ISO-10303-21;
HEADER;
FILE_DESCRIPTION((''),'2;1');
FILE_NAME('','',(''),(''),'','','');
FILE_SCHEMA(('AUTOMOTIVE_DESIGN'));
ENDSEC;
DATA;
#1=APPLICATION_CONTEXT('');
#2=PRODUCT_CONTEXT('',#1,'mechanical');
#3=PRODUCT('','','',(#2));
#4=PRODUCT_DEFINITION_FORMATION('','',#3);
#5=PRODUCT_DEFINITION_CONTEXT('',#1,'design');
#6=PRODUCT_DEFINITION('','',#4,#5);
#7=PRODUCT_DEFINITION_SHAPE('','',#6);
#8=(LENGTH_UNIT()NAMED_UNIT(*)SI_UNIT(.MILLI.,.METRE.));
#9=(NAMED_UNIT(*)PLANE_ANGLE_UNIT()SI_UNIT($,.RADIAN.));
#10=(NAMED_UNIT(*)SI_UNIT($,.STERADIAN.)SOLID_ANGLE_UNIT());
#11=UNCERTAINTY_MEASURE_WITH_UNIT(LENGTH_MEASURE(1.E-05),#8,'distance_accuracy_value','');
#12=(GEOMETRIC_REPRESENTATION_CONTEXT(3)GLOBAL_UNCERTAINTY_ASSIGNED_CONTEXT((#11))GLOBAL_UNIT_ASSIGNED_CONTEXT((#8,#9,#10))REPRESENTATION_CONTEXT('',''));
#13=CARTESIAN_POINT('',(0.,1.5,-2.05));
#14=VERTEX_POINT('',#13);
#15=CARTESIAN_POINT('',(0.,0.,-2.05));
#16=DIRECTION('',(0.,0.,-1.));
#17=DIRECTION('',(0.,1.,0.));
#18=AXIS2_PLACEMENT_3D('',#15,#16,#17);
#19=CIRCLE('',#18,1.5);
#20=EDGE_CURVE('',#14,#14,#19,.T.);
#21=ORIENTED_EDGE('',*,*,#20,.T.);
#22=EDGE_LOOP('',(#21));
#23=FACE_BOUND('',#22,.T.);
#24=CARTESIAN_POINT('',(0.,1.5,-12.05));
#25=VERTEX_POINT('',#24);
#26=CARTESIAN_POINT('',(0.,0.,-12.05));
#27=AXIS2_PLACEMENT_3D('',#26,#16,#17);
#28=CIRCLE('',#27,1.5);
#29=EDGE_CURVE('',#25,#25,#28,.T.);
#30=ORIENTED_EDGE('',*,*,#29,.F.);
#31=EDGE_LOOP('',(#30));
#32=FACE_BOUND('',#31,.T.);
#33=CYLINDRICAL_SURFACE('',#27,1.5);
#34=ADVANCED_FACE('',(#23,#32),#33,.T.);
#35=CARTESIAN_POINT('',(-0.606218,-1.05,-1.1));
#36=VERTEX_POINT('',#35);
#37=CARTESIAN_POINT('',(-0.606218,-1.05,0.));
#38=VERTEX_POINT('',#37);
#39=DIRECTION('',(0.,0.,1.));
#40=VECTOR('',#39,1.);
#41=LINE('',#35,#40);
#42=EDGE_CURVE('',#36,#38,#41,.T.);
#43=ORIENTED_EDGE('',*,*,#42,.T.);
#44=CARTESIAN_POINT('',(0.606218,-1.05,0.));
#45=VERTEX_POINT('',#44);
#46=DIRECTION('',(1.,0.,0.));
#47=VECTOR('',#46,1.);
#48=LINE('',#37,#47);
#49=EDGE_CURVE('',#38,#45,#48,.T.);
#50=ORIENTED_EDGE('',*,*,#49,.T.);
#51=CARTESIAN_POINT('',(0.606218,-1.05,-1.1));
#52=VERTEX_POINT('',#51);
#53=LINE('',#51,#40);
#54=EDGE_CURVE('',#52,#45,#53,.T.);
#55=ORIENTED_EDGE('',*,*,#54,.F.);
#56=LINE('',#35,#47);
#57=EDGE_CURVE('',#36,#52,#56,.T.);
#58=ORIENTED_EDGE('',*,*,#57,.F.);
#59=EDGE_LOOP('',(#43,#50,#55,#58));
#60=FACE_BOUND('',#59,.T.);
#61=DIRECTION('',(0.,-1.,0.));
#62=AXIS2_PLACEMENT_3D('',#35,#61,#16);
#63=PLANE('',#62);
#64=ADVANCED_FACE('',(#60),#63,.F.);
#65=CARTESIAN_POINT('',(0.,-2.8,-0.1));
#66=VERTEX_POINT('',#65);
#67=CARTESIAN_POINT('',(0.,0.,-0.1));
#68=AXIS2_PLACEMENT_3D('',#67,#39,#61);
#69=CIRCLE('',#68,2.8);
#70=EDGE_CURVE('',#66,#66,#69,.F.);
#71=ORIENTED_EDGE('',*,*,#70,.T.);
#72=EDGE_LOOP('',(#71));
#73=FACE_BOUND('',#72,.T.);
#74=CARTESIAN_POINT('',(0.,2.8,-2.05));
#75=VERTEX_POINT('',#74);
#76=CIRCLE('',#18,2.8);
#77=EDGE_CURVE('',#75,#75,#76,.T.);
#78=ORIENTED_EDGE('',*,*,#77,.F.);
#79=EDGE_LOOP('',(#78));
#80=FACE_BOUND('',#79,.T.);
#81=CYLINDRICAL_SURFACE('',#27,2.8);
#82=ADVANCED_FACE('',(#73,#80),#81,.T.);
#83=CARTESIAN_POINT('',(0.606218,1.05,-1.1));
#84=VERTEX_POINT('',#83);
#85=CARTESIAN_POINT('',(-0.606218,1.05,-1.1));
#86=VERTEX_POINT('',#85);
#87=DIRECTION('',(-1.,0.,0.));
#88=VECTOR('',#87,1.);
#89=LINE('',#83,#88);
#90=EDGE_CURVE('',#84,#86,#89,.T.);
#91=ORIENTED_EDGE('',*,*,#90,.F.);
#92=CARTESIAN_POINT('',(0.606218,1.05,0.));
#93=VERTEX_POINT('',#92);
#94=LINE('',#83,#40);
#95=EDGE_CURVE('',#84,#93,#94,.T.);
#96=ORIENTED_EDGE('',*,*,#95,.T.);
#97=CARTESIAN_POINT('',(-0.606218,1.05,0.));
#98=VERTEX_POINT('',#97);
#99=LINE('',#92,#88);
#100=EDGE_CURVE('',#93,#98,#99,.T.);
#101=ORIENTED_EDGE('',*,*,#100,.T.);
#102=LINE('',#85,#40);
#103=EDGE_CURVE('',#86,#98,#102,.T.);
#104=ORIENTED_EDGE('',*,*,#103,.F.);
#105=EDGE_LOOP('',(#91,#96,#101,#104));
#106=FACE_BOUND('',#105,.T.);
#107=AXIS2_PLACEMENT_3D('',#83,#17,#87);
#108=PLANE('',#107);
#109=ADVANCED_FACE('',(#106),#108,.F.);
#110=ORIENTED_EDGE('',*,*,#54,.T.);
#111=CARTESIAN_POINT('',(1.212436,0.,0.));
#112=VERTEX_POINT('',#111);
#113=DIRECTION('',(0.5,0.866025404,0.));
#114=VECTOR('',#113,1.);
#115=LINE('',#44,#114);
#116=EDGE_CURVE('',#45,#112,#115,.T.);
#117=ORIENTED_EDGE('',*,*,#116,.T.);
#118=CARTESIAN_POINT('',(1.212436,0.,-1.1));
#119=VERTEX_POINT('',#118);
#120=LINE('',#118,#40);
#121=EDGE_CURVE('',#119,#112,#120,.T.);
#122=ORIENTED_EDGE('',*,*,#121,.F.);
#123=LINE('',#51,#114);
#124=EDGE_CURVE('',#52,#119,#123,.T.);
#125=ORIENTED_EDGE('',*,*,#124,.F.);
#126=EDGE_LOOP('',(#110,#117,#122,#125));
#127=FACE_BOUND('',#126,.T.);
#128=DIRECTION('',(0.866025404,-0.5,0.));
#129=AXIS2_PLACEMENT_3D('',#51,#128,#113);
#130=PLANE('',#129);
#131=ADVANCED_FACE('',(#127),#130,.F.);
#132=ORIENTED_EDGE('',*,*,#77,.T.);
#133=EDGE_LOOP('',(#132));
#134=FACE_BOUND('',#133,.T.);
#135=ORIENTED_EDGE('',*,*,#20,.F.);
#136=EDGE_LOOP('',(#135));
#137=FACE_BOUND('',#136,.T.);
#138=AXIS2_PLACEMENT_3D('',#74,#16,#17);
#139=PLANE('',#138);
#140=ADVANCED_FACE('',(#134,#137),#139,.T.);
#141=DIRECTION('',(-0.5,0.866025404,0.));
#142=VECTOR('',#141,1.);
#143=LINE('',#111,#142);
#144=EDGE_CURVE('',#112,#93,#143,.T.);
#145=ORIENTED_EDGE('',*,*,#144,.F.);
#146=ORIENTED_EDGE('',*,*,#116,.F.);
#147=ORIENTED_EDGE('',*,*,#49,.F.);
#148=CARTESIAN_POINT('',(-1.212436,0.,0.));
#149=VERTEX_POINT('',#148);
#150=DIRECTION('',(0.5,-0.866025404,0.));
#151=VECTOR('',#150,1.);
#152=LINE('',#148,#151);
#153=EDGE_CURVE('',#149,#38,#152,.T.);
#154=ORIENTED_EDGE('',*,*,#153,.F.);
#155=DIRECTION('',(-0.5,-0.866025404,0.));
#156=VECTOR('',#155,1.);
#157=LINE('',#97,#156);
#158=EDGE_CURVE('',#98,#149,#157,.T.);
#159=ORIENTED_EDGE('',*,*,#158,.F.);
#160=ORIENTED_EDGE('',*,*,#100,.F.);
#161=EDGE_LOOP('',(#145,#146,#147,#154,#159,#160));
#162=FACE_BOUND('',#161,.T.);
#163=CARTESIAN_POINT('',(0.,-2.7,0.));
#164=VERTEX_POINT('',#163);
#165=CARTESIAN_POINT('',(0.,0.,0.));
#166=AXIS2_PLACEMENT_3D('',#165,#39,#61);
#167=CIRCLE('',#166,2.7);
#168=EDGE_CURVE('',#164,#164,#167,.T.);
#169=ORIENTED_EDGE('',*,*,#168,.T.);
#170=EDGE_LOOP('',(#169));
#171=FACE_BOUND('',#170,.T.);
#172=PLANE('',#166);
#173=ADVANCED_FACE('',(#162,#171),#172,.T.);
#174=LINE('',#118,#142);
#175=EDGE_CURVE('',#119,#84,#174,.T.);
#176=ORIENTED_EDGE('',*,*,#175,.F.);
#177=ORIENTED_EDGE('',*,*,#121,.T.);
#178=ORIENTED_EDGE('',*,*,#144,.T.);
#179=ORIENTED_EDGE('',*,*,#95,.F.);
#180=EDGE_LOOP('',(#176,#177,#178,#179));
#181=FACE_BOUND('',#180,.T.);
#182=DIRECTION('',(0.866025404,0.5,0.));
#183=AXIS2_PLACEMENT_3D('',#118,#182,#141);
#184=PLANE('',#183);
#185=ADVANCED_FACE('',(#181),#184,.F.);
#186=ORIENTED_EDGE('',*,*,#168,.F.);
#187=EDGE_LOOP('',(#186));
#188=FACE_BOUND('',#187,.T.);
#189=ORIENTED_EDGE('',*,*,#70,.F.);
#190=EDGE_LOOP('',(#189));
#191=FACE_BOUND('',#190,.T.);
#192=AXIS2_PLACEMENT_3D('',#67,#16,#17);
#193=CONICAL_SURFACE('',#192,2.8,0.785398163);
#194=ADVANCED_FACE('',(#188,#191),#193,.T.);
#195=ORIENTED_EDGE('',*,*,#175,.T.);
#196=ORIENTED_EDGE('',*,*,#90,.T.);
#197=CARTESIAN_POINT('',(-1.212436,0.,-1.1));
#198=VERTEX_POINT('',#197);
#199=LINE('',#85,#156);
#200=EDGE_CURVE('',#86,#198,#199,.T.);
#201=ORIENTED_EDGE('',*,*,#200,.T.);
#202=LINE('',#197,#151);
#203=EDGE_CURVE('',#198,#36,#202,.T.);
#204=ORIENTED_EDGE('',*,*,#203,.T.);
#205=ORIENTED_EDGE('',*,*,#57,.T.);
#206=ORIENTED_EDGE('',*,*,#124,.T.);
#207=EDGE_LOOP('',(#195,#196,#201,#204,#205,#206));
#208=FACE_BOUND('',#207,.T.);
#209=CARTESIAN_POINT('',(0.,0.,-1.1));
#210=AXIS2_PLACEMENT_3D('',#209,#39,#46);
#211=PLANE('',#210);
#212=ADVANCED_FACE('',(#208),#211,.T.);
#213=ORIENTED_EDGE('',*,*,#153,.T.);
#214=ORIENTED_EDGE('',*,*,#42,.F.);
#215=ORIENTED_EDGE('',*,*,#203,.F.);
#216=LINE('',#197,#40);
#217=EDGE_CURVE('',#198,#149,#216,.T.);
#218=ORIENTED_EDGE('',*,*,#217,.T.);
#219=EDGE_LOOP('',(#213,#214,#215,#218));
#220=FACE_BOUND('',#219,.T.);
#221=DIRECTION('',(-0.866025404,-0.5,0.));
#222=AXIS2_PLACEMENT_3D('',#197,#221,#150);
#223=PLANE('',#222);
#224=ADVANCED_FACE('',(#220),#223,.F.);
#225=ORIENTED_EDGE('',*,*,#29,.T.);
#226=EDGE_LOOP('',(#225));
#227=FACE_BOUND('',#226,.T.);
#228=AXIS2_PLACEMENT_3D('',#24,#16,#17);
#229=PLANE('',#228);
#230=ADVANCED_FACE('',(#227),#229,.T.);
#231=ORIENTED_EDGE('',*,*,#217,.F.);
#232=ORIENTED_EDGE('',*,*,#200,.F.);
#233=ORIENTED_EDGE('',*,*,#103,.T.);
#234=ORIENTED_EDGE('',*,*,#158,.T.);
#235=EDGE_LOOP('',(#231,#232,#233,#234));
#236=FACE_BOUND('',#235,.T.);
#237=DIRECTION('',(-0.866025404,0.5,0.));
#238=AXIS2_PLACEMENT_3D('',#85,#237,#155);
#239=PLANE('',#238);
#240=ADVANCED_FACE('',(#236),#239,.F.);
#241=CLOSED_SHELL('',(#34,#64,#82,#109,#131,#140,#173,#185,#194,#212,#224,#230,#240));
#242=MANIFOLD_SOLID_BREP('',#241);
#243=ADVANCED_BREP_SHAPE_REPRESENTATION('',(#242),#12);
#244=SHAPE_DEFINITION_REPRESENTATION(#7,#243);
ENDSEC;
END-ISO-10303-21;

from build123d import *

# Parameters (mm, degrees)
CUT_EXTRUDE_1_DEPTH = 1.1
CHAMFER_579_SIZE    = 0.1


with BuildPart() as part:
    # 草图1 → 旋转1 (revolve)
    with BuildSketch(Plane(origin=(0, 0, 0), x_dir=(0, 0, -1), z_dir=(1, 0, 0))):
        Polygon((0, 0), (0, 2.8), (2.05, 2.8), (2.05, 1.5), (12.05, 1.5), (12.05, 0), align=None)
    revolve(axis=Axis((0, 0, -12.05), (0, 0, 1)))

    # 草图2 → 切除-拉伸1 (cut)
    with BuildSketch(Plane.XY):
        Polygon((0.606217783, 1.05), (-0.606217783, 1.05), (-1.212435565, 0), (-0.606217783, -1.05), (0.606217783, -1.05), (1.212435565, 0), align=None)
    extrude(amount=-CUT_EXTRUDE_1_DEPTH, mode=Mode.SUBTRACT)

    # Chamfer 579
    chamfer_579_edges = [part.edges().sort_by_distance(p)[0] for p in [
        (0, -2.8, 0),
    ]]
    chamfer(chamfer_579_edges, length=CHAMFER_579_SIZE)


solid = part.part
